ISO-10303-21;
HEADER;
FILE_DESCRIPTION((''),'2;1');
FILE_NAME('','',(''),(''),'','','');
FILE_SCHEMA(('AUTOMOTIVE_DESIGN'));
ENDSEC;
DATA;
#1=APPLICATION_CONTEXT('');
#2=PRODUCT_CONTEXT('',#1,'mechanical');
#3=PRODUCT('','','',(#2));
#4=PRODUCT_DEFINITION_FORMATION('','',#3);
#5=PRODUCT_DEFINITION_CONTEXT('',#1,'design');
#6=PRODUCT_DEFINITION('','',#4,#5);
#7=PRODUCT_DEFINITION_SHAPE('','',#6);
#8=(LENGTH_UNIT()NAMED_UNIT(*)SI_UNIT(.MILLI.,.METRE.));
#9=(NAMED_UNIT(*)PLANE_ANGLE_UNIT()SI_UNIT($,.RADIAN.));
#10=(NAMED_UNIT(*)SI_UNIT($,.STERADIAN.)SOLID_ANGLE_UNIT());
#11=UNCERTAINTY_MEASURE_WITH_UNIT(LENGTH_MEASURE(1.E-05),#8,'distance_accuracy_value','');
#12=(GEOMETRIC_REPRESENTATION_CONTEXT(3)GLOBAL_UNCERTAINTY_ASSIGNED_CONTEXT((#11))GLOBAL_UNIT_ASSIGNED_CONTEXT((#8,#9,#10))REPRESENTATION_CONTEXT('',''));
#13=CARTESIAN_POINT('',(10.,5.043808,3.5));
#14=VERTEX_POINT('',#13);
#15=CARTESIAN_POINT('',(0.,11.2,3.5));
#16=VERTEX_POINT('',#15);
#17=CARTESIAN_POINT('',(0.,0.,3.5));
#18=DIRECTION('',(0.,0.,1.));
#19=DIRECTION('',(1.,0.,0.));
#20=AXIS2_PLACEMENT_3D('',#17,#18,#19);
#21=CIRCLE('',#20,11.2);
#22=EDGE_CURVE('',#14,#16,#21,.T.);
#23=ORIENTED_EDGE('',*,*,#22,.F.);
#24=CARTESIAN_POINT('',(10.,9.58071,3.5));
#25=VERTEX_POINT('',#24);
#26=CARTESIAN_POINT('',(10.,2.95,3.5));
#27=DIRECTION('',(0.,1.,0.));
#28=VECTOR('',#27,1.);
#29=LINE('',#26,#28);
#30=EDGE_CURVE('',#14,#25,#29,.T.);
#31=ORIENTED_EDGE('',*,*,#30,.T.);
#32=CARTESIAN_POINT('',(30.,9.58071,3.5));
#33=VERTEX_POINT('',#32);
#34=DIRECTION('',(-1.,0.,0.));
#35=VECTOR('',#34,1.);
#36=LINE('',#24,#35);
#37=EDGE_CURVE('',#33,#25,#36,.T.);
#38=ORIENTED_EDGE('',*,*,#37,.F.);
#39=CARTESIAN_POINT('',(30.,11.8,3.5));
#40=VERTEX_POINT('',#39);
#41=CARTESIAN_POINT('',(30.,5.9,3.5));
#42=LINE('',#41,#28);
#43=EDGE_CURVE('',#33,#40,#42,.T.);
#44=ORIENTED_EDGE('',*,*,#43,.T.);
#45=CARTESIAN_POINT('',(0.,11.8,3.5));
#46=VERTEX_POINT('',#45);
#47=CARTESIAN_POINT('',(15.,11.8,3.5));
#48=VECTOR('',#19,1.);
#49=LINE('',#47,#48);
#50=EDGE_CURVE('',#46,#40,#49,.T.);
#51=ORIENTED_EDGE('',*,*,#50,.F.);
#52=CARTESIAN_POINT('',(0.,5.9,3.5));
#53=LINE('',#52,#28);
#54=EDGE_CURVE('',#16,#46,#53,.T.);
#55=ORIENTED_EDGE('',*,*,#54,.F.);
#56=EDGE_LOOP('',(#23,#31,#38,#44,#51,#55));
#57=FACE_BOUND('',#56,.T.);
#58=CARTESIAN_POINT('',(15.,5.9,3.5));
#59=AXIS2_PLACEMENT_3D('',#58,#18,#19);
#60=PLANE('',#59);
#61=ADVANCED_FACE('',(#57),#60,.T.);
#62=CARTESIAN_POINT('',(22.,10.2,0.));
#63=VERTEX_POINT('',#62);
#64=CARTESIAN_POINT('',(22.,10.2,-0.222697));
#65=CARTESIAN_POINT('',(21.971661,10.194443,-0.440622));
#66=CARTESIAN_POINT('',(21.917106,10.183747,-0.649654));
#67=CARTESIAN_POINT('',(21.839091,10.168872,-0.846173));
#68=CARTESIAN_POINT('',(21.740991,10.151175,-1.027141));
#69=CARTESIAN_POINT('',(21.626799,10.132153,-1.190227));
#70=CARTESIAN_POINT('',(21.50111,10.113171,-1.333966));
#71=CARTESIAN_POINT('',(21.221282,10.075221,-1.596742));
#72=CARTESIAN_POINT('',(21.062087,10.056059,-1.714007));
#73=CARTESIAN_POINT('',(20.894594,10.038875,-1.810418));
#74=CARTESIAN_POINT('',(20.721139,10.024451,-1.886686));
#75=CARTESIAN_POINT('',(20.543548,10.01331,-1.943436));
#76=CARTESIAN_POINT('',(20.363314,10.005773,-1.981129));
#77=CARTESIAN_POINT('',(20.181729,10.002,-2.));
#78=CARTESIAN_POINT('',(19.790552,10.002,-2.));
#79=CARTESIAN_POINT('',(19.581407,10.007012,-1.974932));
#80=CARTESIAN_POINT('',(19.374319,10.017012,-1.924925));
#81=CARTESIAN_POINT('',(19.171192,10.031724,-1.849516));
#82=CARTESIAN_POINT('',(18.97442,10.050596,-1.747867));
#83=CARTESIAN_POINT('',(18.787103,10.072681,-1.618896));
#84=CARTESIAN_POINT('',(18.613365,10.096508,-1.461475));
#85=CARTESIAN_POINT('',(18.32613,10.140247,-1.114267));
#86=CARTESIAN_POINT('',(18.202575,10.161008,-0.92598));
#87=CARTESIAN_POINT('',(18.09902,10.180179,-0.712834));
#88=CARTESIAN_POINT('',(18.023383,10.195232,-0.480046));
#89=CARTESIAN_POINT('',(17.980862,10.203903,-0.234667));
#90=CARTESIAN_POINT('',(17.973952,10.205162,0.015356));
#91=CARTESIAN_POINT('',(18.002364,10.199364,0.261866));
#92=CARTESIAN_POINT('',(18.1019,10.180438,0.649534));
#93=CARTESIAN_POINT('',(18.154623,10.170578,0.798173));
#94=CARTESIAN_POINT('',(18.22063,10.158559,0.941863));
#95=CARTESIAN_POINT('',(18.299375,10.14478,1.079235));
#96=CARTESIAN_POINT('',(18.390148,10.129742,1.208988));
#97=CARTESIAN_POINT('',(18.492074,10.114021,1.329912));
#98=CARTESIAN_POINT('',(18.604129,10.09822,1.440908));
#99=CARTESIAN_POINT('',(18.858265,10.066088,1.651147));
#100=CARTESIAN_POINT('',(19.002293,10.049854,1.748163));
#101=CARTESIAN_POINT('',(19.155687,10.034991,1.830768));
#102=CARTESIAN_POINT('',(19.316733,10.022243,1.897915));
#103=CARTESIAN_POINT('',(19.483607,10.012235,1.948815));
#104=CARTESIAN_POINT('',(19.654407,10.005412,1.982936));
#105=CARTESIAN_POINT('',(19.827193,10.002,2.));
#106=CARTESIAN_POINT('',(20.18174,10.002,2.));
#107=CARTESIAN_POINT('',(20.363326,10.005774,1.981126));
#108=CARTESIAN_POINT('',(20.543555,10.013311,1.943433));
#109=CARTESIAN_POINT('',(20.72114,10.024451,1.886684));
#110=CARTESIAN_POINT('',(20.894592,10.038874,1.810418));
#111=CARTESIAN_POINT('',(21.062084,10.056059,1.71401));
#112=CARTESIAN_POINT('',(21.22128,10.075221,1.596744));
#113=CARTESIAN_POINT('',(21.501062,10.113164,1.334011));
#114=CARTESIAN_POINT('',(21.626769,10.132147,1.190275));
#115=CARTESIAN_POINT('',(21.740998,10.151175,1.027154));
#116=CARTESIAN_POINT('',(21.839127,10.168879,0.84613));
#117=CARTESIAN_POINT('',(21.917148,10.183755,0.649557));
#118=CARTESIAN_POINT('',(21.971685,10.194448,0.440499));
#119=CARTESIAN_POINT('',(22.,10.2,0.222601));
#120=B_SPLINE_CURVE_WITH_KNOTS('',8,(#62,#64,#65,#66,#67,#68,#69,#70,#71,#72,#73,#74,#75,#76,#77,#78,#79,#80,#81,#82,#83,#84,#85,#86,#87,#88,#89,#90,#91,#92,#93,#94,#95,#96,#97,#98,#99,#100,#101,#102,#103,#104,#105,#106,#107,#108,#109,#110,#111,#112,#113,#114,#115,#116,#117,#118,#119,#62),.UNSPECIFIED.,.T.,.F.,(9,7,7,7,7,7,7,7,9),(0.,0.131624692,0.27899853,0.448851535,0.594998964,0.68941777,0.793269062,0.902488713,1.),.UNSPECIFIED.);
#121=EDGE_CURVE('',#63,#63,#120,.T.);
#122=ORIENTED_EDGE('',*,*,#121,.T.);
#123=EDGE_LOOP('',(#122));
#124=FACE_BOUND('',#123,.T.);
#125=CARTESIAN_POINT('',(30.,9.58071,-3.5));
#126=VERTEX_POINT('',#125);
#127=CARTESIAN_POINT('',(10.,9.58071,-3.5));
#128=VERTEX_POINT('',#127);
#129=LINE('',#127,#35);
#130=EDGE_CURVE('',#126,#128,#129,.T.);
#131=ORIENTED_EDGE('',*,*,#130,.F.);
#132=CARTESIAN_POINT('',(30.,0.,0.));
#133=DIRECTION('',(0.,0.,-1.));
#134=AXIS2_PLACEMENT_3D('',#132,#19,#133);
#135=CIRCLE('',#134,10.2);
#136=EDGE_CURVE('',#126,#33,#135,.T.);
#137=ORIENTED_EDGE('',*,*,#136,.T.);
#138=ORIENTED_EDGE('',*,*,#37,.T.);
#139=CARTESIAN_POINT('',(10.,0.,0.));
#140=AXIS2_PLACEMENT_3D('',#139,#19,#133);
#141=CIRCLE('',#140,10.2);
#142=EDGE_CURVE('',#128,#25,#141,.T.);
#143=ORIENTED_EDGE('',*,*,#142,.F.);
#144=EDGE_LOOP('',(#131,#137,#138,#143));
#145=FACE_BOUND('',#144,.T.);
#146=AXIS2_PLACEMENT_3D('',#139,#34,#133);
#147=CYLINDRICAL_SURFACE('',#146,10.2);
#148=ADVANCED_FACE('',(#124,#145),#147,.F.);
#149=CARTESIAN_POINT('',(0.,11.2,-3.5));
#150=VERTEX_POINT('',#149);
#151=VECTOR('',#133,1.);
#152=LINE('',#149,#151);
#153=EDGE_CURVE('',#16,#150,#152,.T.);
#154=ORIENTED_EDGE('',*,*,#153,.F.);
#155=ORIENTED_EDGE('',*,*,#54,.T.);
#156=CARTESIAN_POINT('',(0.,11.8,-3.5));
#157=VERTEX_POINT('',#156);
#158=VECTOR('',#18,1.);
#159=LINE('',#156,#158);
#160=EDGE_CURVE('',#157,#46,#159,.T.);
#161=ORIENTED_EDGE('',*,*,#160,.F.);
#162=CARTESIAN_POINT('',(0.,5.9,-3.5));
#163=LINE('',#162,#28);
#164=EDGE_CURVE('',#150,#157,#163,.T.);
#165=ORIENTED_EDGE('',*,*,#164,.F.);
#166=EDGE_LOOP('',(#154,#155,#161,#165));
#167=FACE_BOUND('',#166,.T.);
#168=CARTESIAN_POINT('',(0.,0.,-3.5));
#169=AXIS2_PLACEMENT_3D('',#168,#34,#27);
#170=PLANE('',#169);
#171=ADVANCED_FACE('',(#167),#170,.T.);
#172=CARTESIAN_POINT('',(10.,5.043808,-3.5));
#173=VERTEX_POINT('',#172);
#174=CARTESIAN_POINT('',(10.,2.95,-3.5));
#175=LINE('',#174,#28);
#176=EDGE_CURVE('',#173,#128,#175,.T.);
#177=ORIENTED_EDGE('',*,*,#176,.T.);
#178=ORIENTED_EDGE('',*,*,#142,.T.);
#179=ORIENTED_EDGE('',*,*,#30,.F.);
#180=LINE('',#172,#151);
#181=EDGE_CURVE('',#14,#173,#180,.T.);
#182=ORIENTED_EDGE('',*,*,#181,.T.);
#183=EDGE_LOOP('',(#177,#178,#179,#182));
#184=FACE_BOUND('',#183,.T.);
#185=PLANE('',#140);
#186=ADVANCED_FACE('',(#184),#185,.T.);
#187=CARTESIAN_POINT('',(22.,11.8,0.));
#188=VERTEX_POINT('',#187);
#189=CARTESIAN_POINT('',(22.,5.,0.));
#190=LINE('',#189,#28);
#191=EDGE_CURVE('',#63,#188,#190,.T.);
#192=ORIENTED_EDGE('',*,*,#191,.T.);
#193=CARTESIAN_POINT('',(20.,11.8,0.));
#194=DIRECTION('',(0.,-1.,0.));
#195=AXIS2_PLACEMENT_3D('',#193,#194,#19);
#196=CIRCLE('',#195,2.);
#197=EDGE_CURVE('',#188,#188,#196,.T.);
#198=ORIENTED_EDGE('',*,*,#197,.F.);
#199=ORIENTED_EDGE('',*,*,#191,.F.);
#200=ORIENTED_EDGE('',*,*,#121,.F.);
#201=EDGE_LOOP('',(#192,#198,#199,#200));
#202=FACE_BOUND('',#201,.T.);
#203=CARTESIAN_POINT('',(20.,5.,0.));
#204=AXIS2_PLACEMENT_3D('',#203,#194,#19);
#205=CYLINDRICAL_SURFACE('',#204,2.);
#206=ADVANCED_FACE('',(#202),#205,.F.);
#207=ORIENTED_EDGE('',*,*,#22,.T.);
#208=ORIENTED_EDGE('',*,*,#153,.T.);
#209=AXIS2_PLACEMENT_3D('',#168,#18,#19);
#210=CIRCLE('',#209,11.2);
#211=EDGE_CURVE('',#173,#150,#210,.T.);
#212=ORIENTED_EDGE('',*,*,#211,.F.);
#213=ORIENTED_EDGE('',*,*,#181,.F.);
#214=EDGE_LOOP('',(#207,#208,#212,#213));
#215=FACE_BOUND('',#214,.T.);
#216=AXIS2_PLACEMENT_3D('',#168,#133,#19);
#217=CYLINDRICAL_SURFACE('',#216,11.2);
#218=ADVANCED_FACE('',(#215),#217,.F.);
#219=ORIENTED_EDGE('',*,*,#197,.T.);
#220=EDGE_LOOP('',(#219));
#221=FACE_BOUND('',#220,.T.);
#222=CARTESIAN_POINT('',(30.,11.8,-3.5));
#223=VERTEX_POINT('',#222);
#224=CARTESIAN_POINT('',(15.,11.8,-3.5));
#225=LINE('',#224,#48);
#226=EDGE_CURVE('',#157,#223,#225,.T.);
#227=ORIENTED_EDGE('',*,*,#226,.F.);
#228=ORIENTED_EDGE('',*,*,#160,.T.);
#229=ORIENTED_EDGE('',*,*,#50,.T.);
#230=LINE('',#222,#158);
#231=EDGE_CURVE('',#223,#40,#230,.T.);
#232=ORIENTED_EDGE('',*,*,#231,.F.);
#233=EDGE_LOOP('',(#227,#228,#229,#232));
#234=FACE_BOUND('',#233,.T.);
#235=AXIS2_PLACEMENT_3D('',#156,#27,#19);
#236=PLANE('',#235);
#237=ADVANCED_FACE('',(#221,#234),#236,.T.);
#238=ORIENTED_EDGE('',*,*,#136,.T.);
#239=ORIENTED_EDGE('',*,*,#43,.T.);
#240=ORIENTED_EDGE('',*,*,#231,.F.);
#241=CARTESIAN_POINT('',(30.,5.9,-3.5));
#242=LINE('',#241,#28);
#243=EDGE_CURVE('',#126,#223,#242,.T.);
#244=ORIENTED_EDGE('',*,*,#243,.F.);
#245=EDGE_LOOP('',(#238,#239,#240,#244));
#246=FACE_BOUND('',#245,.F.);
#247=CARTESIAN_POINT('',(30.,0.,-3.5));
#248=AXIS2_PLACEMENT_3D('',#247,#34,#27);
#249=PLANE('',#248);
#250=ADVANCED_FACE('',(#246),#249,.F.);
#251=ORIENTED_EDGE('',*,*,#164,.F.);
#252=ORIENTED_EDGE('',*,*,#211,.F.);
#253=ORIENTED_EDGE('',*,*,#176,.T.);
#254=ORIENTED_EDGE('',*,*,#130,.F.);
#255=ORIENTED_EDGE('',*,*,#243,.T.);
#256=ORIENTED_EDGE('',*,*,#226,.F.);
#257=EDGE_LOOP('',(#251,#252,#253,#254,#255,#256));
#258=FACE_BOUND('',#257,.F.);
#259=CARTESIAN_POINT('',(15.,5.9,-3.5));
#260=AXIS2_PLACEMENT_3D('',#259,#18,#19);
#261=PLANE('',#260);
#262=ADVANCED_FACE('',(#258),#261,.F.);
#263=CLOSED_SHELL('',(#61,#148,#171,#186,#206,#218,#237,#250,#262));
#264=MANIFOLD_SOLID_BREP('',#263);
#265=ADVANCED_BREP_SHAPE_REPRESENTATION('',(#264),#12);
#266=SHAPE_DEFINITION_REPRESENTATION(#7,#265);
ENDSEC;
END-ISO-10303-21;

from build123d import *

# Parameters (mm, degrees)
CYLINDER001_R          = 11.2
CYLINDER001_DEPTH      = 7
CYLINDER002_R          = 2
CYLINDER002_DEPTH      = 10
CYLINDER002_ROLL_ANGLE = -90
CYLINDER_R             = 10.2
CYLINDER_DEPTH         = 20
CYLINDER_PITCH_ANGLE   = 90
BOX_W                  = 30
BOX_H                  = 11.8
BOX_DEPTH              = 7


with BuildPart() as cylinder001:
    # Cylinder001 → Cylinder001 (new body)
    with BuildSketch(Plane.XY.offset(-3.5)):
        Circle(CYLINDER001_R)
    extrude(amount=CYLINDER001_DEPTH)


with BuildPart() as cylinder002:
    # Cylinder002 → Cylinder002 (new body)
    with BuildSketch(Plane.XY):
        Circle(CYLINDER002_R)
    extrude(amount=CYLINDER002_DEPTH)


with BuildPart() as cylinder002_1:
    # Cylinder002 roll: moved
    add(cylinder002.part.rotate(Axis((0, 0, 0), (1, 0, 0)), CYLINDER002_ROLL_ANGLE))


with BuildPart() as cylinder002_2:
    # Cylinder002 placement: moved
    add(cylinder002_1.part.moved(Location((20, 5, 0))))


with BuildPart() as fusion:
    # Cylinder → Cylinder (new body)
    with BuildSketch(Plane.XY):
        Circle(CYLINDER_R)
    extrude(amount=CYLINDER_DEPTH)


with BuildPart() as fusion_1:
    # Cylinder pitch: moved
    add(fusion.part.rotate(Axis((0, 0, 0), (0, 1, 0)), CYLINDER_PITCH_ANGLE))


with BuildPart() as fusion_2:
    # Cylinder placement: moved
    add(fusion_1.part.moved(Location((10, 0, 0))))

    # Fusion: union Cylinder001, Cylinder002
    add(cylinder001.part)
    add(cylinder002_2.part)


with BuildPart() as cut:
    # Box → Box (new body)
    with BuildSketch(Plane.XY.offset(-3.5)):
        with Locations((15, 5.9)):
            Rectangle(BOX_W, BOX_H)
    extrude(amount=BOX_DEPTH)

    # Cut: cut Fusion
    add(fusion_2.part, mode=Mode.SUBTRACT)


solid = cut.part
